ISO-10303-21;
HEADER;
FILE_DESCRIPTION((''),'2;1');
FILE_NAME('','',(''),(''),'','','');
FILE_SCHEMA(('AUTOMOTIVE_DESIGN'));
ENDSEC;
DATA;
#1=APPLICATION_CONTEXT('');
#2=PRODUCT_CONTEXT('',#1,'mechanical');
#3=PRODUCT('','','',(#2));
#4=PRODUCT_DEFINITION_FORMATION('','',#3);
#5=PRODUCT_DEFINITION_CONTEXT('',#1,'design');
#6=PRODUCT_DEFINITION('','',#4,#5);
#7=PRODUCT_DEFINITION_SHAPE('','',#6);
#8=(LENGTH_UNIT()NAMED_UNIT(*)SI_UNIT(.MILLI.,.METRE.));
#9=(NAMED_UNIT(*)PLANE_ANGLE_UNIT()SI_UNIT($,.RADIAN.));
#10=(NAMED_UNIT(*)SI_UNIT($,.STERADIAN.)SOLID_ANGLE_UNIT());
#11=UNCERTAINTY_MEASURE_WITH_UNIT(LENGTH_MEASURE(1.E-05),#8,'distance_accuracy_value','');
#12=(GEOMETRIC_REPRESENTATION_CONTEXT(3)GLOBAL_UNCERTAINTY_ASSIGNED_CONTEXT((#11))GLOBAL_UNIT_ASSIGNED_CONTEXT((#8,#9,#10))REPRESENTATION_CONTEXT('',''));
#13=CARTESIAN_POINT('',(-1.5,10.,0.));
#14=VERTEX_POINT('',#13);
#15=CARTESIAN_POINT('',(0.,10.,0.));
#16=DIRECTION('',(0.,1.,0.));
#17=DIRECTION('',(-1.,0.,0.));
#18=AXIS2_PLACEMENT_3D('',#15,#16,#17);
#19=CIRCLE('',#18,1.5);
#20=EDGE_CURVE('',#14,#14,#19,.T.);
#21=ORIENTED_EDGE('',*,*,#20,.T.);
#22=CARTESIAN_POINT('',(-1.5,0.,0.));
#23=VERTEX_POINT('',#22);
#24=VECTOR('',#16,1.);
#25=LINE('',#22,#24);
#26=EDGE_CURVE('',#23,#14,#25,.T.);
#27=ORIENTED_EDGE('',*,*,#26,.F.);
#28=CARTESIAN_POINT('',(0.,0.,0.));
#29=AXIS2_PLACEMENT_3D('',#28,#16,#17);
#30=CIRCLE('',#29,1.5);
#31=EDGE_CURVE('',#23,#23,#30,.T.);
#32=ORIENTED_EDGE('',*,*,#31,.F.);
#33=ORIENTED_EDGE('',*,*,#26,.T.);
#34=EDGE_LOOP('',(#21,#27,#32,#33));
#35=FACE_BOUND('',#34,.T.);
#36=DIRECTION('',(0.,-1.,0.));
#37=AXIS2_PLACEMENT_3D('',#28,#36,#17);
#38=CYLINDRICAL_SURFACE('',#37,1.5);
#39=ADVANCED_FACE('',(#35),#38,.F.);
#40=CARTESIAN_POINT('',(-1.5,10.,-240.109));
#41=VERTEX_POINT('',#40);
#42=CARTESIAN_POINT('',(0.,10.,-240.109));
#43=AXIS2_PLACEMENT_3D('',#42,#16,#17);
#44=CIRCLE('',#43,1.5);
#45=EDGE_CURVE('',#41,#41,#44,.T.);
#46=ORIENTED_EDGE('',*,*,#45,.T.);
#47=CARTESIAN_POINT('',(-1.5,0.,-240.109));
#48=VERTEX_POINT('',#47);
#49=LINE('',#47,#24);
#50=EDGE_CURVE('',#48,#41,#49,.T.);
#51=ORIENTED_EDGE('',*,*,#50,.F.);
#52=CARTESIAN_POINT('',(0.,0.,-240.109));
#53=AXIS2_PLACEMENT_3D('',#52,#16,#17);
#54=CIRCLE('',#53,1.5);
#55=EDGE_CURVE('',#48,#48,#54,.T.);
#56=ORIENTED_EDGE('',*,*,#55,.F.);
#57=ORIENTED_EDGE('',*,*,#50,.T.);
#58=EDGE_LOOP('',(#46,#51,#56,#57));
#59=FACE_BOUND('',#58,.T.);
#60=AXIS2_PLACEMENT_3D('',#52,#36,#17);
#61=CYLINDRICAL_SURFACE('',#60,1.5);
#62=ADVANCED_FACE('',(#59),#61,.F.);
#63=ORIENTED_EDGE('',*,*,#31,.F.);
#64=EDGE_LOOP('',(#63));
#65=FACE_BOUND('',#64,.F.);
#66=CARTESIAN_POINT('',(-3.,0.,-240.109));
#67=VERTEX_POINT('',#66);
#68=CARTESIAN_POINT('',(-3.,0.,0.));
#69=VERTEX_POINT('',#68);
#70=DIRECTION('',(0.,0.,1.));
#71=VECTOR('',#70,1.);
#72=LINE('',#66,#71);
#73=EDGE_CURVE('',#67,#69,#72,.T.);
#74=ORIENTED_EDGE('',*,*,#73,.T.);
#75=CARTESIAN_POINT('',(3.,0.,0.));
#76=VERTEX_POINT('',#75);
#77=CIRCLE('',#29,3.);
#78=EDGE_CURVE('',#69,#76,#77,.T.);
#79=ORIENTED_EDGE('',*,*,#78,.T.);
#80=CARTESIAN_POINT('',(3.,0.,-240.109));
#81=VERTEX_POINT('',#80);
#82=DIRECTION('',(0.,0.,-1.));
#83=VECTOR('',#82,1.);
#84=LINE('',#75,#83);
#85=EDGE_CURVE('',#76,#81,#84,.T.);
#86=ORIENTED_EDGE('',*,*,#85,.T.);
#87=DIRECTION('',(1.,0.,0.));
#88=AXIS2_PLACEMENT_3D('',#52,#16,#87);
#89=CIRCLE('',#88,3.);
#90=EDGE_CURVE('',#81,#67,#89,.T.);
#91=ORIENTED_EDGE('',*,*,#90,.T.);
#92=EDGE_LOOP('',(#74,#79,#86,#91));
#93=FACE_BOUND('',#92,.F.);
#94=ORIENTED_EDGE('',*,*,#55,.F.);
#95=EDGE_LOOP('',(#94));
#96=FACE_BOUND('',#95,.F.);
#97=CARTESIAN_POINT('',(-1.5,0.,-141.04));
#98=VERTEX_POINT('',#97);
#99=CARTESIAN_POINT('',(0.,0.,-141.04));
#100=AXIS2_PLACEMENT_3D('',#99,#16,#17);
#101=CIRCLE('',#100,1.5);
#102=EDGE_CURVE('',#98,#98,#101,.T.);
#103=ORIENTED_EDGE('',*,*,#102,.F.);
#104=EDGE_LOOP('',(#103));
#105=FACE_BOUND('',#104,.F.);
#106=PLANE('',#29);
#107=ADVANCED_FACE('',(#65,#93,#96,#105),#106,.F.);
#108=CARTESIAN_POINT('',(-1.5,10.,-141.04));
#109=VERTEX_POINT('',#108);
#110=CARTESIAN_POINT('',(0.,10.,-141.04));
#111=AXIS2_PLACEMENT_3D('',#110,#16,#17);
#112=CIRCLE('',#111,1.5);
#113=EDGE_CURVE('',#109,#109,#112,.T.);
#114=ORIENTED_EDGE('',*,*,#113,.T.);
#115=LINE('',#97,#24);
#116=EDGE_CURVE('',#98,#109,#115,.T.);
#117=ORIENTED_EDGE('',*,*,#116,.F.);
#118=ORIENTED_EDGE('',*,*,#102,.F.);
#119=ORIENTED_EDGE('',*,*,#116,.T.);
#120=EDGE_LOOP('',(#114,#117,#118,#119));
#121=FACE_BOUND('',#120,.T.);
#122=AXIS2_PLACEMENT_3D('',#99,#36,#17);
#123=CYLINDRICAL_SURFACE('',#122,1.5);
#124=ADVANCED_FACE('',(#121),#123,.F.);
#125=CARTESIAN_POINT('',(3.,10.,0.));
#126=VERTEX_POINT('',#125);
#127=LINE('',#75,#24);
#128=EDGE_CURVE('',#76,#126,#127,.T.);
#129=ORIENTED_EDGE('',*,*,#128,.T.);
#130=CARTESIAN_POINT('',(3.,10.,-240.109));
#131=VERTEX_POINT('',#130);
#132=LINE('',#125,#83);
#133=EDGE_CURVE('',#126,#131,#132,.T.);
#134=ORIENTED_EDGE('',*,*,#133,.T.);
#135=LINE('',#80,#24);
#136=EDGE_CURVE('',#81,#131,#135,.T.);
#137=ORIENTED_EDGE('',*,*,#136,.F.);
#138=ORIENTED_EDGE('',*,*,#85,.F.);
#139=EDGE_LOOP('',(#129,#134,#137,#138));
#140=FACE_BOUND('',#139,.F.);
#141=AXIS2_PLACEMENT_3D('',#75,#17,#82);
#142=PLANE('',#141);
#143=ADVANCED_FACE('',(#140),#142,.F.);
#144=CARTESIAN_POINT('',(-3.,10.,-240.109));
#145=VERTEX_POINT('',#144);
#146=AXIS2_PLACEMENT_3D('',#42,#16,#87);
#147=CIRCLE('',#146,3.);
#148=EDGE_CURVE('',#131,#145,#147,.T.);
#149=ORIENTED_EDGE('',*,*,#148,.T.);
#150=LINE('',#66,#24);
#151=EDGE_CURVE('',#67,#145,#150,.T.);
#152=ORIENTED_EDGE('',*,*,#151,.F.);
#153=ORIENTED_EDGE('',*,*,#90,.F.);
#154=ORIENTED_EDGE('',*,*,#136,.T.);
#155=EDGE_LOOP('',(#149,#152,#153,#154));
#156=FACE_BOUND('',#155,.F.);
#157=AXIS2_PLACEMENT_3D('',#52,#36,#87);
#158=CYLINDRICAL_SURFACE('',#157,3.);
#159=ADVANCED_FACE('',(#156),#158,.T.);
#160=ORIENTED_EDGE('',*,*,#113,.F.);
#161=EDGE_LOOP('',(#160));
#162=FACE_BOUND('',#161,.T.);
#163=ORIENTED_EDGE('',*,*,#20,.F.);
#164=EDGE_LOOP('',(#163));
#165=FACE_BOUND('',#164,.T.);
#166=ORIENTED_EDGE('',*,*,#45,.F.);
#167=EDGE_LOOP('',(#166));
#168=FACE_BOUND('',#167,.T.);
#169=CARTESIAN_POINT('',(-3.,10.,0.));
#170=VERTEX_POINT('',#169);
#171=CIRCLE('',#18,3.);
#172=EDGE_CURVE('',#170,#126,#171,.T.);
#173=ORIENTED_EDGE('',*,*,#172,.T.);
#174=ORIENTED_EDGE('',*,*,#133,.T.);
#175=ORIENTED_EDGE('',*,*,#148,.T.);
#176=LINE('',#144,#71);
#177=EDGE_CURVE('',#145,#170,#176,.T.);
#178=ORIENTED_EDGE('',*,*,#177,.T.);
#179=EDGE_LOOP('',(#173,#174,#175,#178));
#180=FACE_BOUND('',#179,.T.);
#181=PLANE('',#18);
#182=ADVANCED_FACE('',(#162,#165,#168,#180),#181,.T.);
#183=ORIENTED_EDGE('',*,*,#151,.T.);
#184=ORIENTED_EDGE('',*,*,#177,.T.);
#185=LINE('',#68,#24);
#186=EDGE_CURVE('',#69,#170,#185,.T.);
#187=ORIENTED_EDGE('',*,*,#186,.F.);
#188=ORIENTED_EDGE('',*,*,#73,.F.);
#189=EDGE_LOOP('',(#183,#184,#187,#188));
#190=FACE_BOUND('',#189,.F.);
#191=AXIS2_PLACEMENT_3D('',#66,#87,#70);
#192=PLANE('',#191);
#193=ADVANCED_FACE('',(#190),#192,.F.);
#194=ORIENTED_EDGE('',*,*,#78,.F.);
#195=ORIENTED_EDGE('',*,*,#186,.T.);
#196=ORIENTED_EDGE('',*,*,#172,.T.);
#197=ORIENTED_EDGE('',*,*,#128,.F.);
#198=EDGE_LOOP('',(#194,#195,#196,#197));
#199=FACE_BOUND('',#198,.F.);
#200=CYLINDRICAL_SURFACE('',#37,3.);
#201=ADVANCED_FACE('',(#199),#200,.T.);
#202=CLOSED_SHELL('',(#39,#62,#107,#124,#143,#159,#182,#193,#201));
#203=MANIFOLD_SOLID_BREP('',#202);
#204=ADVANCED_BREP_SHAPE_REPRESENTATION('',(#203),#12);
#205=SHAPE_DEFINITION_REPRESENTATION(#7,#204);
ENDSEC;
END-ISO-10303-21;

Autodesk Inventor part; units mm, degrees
ref_plane "YZ Plane" through (0, 0, 0) normal (1, 0, 0) x (0, 1, 0)
ref_plane "XZ Plane" through (0, 0, 0) normal (0, 1, 0) x (-1, 0, 0)
ref_plane "XY Plane" through (0, 0, 0) normal (0, 0, 1) x (1, 0, 0)
sketch "Sketch1" plane through (0, 0, 0) normal (0, 1, 0) x (-1, 0, 0)
  line L0 (0, 0) -> (0, -240.109) construction
  line L1 (-3, 0) -> (-3, -240.109)
  line L2 (3, -240.109) -> (3, 0)
  arc A0 (3, 0) -> (-3, 0) centre (0, 0) ccw
  arc A1 (-3, -240.109) -> (3, -240.109) centre (0, -240.109) ccw
  circle A2 centre (0, 0) radius 1.5
  circle A3 centre (0, -240.109) radius 1.5
  circle A4 centre (0, -141.04) radius 1.5
  point P0 (0, -120.0545)
  dimension "d0" = 6
  dimension "d1" = 240.109
  dimension "d2" = 3
  dimension "d3" = 3
  dimension "d6" = 3
  dimension "d7" = 141.04
extrude "Extrusion1" add sketch "Sketch1" along normal blind 10
